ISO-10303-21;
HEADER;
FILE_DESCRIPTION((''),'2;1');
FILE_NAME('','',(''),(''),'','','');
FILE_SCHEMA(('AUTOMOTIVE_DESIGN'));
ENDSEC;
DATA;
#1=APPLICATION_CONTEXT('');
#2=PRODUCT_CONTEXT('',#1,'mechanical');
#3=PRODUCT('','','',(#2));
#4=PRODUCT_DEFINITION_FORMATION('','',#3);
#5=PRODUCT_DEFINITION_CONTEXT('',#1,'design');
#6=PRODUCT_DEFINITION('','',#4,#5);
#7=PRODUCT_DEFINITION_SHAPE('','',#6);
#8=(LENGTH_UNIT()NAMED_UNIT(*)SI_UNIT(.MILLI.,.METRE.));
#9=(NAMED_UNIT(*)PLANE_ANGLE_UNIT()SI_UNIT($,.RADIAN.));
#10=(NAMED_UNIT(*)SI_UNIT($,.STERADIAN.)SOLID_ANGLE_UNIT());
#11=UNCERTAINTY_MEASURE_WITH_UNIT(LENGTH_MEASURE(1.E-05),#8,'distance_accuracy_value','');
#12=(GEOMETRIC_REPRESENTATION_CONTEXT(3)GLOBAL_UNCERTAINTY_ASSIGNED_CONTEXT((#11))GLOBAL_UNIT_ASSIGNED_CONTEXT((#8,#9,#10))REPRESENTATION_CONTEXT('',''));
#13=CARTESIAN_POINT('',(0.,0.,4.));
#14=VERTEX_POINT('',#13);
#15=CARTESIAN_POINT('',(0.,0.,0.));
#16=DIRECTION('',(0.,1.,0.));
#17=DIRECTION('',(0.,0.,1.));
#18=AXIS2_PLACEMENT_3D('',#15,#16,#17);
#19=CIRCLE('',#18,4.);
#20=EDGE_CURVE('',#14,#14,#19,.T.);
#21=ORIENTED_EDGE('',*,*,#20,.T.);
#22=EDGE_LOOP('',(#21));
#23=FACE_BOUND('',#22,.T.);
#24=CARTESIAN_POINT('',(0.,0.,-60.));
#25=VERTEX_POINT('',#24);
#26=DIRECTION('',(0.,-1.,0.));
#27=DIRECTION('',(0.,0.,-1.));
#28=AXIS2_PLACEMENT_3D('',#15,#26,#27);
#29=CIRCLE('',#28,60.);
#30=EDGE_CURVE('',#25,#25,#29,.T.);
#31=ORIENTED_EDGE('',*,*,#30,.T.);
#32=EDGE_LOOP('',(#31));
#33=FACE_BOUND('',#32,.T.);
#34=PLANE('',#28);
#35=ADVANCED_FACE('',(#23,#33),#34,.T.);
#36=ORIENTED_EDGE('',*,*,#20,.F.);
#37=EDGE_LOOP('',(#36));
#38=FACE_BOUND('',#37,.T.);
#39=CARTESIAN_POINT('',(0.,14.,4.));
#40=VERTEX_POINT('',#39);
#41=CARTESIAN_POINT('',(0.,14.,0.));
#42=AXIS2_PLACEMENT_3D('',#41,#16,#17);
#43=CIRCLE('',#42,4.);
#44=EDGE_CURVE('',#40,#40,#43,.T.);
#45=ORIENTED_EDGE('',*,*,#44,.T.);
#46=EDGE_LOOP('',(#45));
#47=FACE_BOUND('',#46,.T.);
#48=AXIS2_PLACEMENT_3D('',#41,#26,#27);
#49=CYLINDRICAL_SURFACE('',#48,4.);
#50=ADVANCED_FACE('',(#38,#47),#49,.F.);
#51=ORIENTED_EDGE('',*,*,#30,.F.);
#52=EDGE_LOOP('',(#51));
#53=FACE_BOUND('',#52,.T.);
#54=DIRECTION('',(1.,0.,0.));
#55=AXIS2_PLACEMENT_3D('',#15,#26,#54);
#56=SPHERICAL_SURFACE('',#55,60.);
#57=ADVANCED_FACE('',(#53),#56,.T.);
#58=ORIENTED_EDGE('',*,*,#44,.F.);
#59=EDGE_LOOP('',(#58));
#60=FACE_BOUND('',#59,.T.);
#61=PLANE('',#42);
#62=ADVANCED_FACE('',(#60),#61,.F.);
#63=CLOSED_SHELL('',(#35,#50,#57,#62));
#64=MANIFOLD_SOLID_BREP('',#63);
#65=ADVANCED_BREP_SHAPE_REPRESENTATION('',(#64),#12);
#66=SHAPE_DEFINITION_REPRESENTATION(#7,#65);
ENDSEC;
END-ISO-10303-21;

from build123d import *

# Parameters (mm, degrees)
CROQUIS_AGUJEROS_MONTAJE_R = 4
AGUJERO_INSERTO_M6_DEPTH   = 14


with BuildPart() as part:
    # Croquis_perfil → Domo_D120 (revolve)
    with BuildSketch(Plane.XY):
        with BuildLine():
            Line((0, 0), (60, 0))
            ThreePointArc((60, 0), (42.426406871, 42.426406871), (0, 60))
            Line((0, 60), (0, 0))
        make_face()
    revolve(axis=Axis((0, 0, 0), (0, 1, 0)))

    # Croquis_agujeros_montaje → Agujero_inserto_M6 (cut)
    with BuildSketch(Plane(origin=(0, 0, 0), x_dir=(1, 0, 0), z_dir=(0, 1, 0))):
        with Locations(Location((0, 0, 0), (0, 0, 270))):
            Circle(CROQUIS_AGUJEROS_MONTAJE_R)
    extrude(amount=AGUJERO_INSERTO_M6_DEPTH, mode=Mode.SUBTRACT)


solid = part.part
